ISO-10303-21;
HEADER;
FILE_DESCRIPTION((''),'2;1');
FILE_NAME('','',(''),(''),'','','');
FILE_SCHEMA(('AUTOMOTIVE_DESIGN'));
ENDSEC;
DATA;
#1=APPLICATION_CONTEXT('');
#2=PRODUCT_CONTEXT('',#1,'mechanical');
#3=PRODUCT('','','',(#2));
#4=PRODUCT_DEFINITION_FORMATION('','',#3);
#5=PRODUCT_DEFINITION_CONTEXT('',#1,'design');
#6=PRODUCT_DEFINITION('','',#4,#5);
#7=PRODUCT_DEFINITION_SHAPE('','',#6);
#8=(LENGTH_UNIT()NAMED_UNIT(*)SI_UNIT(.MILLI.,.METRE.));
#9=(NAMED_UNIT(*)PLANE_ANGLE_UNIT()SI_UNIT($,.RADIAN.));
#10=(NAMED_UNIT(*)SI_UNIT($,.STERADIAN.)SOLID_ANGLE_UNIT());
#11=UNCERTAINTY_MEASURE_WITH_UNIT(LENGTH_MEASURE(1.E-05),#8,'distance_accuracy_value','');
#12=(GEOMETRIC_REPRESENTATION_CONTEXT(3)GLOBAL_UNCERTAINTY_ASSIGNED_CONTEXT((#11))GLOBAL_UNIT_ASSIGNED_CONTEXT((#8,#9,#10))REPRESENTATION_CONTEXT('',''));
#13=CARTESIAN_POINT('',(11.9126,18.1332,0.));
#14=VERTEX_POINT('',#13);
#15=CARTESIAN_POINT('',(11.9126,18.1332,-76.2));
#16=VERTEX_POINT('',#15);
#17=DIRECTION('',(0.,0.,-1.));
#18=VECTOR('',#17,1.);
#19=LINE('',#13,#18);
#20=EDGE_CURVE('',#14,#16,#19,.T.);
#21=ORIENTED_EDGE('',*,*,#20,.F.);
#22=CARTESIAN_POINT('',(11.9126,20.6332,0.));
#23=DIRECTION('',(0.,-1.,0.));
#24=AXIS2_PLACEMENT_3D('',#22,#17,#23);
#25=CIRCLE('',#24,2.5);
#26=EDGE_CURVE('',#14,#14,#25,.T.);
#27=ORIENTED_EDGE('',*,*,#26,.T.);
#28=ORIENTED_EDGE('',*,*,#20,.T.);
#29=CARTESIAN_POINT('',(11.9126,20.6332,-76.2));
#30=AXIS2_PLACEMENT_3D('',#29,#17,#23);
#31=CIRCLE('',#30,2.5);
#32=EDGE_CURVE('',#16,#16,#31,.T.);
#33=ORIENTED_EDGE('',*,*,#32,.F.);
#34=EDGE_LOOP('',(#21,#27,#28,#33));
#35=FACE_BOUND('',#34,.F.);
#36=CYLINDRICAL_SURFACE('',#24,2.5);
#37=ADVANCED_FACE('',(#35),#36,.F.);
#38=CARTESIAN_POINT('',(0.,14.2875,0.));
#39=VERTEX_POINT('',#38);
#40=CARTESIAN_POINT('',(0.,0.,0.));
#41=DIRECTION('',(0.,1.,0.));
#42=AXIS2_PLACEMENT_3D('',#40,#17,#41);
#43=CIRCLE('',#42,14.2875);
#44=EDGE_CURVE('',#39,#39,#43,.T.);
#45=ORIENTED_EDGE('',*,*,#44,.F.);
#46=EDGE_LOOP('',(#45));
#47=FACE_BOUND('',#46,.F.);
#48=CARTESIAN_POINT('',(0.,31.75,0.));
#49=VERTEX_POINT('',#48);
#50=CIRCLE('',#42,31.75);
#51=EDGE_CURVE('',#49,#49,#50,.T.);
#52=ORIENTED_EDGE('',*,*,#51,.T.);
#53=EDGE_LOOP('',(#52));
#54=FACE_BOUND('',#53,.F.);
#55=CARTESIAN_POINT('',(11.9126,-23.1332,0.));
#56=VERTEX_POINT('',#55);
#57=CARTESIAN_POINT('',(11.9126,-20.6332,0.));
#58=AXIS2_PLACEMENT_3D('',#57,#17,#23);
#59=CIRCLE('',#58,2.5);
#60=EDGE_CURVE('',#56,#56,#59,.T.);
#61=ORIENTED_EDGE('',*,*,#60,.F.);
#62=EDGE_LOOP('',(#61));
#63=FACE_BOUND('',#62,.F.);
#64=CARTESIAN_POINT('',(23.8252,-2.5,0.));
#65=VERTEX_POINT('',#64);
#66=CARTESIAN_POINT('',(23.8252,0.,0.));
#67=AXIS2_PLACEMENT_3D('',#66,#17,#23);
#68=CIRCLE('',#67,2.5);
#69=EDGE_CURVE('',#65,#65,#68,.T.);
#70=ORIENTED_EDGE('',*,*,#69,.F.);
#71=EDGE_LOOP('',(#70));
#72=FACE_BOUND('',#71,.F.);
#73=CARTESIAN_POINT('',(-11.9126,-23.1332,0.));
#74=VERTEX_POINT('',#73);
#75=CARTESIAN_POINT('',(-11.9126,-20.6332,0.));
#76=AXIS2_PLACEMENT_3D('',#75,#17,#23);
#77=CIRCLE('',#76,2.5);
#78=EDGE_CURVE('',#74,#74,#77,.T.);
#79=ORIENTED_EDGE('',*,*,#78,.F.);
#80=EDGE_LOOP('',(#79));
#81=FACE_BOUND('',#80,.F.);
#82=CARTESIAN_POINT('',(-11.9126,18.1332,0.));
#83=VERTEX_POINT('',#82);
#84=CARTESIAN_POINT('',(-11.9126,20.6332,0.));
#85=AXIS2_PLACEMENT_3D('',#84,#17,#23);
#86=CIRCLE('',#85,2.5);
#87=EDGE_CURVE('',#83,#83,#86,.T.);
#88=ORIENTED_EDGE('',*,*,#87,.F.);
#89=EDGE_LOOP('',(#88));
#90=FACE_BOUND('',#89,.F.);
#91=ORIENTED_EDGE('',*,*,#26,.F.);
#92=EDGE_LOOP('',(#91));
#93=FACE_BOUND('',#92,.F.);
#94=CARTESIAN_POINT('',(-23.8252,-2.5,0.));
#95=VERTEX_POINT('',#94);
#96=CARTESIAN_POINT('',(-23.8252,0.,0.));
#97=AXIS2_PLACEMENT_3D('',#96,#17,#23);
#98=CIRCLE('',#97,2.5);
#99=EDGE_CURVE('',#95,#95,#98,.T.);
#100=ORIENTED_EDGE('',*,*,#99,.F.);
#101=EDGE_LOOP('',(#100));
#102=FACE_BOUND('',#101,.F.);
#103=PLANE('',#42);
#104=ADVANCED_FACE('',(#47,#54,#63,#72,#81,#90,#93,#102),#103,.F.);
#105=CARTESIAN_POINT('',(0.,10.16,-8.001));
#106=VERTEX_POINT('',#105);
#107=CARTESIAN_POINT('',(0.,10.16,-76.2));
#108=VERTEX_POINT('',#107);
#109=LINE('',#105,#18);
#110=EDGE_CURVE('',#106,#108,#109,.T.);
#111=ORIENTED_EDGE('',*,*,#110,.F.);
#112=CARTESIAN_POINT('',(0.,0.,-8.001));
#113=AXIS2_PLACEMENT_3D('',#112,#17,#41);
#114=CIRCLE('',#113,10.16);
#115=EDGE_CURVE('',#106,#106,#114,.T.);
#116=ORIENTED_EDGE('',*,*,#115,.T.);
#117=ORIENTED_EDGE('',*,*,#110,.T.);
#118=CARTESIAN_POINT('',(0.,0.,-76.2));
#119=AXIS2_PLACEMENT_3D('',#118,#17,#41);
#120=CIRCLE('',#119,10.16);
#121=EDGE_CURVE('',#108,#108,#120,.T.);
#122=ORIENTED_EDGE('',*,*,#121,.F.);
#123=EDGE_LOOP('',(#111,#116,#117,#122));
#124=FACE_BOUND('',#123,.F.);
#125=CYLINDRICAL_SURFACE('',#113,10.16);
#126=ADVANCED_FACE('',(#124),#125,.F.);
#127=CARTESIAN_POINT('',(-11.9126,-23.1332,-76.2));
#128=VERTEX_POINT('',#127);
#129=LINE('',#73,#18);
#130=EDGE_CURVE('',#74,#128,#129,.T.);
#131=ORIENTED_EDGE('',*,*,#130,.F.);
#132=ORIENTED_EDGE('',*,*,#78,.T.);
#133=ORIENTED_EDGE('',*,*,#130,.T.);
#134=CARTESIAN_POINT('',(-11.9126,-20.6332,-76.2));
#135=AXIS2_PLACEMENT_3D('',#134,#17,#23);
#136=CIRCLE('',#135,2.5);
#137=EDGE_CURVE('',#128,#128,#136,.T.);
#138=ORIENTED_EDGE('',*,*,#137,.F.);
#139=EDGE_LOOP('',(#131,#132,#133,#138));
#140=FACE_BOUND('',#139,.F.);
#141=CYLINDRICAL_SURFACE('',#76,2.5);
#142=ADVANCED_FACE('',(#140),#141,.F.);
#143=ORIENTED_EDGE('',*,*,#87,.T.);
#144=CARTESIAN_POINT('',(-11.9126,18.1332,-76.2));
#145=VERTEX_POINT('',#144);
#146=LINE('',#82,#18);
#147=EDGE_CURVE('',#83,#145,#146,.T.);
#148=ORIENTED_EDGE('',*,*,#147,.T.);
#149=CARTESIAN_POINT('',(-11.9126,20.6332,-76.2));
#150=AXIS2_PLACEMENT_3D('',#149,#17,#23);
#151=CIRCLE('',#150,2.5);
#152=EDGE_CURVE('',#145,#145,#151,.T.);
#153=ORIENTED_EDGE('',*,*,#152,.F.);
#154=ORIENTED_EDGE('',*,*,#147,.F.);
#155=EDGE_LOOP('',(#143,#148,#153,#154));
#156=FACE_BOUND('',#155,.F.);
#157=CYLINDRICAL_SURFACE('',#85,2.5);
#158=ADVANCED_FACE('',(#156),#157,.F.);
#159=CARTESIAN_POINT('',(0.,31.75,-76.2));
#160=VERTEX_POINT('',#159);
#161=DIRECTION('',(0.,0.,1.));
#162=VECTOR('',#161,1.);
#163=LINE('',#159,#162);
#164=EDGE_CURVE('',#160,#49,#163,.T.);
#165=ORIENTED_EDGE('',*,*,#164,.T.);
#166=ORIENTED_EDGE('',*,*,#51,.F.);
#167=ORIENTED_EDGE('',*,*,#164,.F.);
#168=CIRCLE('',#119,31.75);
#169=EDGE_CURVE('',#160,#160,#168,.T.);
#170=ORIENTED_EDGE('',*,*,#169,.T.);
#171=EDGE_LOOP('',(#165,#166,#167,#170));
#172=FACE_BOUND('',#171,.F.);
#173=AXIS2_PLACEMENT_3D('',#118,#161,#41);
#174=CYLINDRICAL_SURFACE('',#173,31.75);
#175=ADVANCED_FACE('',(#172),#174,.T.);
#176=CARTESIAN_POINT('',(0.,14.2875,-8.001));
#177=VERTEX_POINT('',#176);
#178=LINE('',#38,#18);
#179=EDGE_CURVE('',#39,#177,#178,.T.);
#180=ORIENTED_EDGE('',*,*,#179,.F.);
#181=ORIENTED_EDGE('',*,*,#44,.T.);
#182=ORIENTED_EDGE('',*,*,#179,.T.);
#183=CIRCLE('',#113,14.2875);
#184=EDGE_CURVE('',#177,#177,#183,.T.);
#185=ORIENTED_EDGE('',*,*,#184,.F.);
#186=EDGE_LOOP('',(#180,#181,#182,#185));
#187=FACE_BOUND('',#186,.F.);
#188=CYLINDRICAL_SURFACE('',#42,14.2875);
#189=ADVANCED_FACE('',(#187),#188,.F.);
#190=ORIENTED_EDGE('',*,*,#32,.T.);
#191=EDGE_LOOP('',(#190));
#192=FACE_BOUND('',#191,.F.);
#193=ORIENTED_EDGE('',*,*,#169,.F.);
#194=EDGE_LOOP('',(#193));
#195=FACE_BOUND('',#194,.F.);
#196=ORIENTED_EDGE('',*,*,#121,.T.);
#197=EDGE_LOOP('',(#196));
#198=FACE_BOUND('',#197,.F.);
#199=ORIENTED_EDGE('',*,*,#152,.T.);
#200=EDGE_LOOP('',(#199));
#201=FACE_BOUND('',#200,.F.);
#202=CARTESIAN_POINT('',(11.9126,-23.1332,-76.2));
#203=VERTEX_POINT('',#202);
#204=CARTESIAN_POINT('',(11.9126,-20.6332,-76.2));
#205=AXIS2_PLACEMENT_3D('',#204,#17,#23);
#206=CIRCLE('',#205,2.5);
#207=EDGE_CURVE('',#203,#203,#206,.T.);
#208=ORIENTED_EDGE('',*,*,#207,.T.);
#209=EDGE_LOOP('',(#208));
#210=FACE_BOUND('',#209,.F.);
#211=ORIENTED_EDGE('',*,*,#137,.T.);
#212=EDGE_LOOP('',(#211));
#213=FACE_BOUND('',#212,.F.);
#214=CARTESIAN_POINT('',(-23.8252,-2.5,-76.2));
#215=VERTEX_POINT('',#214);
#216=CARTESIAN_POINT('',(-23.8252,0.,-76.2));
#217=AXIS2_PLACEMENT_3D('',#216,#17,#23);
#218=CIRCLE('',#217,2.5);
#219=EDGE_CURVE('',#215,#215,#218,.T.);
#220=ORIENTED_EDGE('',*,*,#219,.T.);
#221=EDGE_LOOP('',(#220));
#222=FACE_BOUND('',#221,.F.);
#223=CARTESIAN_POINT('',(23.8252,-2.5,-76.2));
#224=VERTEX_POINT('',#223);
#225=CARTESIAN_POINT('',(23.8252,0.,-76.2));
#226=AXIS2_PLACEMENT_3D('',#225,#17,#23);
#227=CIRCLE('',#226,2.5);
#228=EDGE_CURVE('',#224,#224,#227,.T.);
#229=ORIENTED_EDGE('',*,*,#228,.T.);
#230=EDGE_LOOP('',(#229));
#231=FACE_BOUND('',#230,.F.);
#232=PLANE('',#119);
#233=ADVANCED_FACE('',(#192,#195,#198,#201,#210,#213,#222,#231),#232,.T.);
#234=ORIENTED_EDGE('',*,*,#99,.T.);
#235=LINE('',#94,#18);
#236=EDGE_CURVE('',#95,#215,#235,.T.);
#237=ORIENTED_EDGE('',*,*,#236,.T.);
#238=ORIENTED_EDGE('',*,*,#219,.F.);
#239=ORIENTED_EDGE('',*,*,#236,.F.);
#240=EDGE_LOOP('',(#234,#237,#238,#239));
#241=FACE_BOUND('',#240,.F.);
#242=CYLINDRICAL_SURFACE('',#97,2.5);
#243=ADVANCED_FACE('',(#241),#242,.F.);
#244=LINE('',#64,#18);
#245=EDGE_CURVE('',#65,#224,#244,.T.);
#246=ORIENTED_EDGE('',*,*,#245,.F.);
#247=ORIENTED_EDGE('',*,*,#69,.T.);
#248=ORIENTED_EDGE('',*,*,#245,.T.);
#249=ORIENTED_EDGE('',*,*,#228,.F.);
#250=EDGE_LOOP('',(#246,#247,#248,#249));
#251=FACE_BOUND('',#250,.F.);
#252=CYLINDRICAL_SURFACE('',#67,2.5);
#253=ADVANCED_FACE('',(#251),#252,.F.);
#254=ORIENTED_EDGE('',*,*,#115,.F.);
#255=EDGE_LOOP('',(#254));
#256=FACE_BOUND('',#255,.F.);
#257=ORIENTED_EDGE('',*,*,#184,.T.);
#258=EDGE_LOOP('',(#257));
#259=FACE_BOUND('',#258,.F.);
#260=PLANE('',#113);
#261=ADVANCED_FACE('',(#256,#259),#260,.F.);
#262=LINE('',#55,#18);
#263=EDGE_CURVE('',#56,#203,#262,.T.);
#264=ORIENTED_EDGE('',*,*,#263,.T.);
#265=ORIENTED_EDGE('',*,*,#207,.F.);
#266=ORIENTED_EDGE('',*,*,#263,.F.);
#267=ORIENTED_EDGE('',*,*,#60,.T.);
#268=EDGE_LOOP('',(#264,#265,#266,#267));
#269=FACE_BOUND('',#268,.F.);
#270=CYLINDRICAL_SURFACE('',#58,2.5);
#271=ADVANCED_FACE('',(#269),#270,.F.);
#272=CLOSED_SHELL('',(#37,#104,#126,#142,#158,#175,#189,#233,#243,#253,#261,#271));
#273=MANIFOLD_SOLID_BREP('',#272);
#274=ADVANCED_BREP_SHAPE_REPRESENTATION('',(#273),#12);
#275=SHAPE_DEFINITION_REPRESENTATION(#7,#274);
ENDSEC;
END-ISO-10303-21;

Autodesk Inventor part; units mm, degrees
ref_plane "YZ Plane" through (0, 0, 0) normal (1, 0, 0) x (0, 1, 0)
ref_plane "XZ Plane" through (0, 0, 0) normal (0, 1, 0) x (-1, 0, 0)
ref_plane "XY Plane" through (0, 0, 0) normal (0, 0, 1) x (1, 0, 0)
sketch "Sketch1" plane through (0, 0, 0) normal (1, 0, 0) x (0, 1, 0)
  line L0 (31.75, 0) -> (14.2875, 0)
  line L1 (14.2875, 0) -> (14.2875, -8.001)
  line L2 (14.2875, -8.001) -> (10.16, -8.001)
  line L3 (10.16, -8.001) -> (10.16, -76.2)
  line L4 (10.16, -76.2) -> (31.75, -76.2)
  line L5 (31.75, -76.2) -> (31.75, 0)
  line L6 (0, 0) -> (0, -76.2)
  dimension "d0" = 63.5
  dimension "d1" = 76.2
  dimension "d2" = 28.575
  dimension "d3" = 8.001
  dimension "d4" = 20.32
revolve "Revolution1" add sketch "Sketch1" angle 360 about axis through (0, 0, 0) along (0, 0, -1)
sketch "Sketch2" plane through (0, 0, 0) normal (0, 0, 1) x (1, 0, 0)
  line L0 (0, 0) -> (-23.8252, 0) construction
  point P0 (-11.9126, -20.6332)
  point P1 (-11.9126, -20.6332)
  point P2 (11.9126, -20.6332)
  point P3 (11.9126, -20.6332)
  point P4 (23.8252, 0)
  point P5 (23.8252, 0)
  point P6 (11.9126, 20.6332)
  point P7 (11.9126, 20.6332)
  point P8 (-11.9126, 20.6332)
  point P9 (-11.9126, 20.6332)
  dimension "d6" = 23.8252
  dimension "d9" = 360
hole "Hole1" at (-23.8252, 0, 0) at (-11.9126, -20.6332, 0) at (11.9126, -20.6332, 0) at (23.8252, 0, 0) at (11.9126, 20.6332, 0) at (-11.9126, 20.6332, 0) direction (0, 0, -1) diameter 5 end through all
properties part number "S3_ph"
